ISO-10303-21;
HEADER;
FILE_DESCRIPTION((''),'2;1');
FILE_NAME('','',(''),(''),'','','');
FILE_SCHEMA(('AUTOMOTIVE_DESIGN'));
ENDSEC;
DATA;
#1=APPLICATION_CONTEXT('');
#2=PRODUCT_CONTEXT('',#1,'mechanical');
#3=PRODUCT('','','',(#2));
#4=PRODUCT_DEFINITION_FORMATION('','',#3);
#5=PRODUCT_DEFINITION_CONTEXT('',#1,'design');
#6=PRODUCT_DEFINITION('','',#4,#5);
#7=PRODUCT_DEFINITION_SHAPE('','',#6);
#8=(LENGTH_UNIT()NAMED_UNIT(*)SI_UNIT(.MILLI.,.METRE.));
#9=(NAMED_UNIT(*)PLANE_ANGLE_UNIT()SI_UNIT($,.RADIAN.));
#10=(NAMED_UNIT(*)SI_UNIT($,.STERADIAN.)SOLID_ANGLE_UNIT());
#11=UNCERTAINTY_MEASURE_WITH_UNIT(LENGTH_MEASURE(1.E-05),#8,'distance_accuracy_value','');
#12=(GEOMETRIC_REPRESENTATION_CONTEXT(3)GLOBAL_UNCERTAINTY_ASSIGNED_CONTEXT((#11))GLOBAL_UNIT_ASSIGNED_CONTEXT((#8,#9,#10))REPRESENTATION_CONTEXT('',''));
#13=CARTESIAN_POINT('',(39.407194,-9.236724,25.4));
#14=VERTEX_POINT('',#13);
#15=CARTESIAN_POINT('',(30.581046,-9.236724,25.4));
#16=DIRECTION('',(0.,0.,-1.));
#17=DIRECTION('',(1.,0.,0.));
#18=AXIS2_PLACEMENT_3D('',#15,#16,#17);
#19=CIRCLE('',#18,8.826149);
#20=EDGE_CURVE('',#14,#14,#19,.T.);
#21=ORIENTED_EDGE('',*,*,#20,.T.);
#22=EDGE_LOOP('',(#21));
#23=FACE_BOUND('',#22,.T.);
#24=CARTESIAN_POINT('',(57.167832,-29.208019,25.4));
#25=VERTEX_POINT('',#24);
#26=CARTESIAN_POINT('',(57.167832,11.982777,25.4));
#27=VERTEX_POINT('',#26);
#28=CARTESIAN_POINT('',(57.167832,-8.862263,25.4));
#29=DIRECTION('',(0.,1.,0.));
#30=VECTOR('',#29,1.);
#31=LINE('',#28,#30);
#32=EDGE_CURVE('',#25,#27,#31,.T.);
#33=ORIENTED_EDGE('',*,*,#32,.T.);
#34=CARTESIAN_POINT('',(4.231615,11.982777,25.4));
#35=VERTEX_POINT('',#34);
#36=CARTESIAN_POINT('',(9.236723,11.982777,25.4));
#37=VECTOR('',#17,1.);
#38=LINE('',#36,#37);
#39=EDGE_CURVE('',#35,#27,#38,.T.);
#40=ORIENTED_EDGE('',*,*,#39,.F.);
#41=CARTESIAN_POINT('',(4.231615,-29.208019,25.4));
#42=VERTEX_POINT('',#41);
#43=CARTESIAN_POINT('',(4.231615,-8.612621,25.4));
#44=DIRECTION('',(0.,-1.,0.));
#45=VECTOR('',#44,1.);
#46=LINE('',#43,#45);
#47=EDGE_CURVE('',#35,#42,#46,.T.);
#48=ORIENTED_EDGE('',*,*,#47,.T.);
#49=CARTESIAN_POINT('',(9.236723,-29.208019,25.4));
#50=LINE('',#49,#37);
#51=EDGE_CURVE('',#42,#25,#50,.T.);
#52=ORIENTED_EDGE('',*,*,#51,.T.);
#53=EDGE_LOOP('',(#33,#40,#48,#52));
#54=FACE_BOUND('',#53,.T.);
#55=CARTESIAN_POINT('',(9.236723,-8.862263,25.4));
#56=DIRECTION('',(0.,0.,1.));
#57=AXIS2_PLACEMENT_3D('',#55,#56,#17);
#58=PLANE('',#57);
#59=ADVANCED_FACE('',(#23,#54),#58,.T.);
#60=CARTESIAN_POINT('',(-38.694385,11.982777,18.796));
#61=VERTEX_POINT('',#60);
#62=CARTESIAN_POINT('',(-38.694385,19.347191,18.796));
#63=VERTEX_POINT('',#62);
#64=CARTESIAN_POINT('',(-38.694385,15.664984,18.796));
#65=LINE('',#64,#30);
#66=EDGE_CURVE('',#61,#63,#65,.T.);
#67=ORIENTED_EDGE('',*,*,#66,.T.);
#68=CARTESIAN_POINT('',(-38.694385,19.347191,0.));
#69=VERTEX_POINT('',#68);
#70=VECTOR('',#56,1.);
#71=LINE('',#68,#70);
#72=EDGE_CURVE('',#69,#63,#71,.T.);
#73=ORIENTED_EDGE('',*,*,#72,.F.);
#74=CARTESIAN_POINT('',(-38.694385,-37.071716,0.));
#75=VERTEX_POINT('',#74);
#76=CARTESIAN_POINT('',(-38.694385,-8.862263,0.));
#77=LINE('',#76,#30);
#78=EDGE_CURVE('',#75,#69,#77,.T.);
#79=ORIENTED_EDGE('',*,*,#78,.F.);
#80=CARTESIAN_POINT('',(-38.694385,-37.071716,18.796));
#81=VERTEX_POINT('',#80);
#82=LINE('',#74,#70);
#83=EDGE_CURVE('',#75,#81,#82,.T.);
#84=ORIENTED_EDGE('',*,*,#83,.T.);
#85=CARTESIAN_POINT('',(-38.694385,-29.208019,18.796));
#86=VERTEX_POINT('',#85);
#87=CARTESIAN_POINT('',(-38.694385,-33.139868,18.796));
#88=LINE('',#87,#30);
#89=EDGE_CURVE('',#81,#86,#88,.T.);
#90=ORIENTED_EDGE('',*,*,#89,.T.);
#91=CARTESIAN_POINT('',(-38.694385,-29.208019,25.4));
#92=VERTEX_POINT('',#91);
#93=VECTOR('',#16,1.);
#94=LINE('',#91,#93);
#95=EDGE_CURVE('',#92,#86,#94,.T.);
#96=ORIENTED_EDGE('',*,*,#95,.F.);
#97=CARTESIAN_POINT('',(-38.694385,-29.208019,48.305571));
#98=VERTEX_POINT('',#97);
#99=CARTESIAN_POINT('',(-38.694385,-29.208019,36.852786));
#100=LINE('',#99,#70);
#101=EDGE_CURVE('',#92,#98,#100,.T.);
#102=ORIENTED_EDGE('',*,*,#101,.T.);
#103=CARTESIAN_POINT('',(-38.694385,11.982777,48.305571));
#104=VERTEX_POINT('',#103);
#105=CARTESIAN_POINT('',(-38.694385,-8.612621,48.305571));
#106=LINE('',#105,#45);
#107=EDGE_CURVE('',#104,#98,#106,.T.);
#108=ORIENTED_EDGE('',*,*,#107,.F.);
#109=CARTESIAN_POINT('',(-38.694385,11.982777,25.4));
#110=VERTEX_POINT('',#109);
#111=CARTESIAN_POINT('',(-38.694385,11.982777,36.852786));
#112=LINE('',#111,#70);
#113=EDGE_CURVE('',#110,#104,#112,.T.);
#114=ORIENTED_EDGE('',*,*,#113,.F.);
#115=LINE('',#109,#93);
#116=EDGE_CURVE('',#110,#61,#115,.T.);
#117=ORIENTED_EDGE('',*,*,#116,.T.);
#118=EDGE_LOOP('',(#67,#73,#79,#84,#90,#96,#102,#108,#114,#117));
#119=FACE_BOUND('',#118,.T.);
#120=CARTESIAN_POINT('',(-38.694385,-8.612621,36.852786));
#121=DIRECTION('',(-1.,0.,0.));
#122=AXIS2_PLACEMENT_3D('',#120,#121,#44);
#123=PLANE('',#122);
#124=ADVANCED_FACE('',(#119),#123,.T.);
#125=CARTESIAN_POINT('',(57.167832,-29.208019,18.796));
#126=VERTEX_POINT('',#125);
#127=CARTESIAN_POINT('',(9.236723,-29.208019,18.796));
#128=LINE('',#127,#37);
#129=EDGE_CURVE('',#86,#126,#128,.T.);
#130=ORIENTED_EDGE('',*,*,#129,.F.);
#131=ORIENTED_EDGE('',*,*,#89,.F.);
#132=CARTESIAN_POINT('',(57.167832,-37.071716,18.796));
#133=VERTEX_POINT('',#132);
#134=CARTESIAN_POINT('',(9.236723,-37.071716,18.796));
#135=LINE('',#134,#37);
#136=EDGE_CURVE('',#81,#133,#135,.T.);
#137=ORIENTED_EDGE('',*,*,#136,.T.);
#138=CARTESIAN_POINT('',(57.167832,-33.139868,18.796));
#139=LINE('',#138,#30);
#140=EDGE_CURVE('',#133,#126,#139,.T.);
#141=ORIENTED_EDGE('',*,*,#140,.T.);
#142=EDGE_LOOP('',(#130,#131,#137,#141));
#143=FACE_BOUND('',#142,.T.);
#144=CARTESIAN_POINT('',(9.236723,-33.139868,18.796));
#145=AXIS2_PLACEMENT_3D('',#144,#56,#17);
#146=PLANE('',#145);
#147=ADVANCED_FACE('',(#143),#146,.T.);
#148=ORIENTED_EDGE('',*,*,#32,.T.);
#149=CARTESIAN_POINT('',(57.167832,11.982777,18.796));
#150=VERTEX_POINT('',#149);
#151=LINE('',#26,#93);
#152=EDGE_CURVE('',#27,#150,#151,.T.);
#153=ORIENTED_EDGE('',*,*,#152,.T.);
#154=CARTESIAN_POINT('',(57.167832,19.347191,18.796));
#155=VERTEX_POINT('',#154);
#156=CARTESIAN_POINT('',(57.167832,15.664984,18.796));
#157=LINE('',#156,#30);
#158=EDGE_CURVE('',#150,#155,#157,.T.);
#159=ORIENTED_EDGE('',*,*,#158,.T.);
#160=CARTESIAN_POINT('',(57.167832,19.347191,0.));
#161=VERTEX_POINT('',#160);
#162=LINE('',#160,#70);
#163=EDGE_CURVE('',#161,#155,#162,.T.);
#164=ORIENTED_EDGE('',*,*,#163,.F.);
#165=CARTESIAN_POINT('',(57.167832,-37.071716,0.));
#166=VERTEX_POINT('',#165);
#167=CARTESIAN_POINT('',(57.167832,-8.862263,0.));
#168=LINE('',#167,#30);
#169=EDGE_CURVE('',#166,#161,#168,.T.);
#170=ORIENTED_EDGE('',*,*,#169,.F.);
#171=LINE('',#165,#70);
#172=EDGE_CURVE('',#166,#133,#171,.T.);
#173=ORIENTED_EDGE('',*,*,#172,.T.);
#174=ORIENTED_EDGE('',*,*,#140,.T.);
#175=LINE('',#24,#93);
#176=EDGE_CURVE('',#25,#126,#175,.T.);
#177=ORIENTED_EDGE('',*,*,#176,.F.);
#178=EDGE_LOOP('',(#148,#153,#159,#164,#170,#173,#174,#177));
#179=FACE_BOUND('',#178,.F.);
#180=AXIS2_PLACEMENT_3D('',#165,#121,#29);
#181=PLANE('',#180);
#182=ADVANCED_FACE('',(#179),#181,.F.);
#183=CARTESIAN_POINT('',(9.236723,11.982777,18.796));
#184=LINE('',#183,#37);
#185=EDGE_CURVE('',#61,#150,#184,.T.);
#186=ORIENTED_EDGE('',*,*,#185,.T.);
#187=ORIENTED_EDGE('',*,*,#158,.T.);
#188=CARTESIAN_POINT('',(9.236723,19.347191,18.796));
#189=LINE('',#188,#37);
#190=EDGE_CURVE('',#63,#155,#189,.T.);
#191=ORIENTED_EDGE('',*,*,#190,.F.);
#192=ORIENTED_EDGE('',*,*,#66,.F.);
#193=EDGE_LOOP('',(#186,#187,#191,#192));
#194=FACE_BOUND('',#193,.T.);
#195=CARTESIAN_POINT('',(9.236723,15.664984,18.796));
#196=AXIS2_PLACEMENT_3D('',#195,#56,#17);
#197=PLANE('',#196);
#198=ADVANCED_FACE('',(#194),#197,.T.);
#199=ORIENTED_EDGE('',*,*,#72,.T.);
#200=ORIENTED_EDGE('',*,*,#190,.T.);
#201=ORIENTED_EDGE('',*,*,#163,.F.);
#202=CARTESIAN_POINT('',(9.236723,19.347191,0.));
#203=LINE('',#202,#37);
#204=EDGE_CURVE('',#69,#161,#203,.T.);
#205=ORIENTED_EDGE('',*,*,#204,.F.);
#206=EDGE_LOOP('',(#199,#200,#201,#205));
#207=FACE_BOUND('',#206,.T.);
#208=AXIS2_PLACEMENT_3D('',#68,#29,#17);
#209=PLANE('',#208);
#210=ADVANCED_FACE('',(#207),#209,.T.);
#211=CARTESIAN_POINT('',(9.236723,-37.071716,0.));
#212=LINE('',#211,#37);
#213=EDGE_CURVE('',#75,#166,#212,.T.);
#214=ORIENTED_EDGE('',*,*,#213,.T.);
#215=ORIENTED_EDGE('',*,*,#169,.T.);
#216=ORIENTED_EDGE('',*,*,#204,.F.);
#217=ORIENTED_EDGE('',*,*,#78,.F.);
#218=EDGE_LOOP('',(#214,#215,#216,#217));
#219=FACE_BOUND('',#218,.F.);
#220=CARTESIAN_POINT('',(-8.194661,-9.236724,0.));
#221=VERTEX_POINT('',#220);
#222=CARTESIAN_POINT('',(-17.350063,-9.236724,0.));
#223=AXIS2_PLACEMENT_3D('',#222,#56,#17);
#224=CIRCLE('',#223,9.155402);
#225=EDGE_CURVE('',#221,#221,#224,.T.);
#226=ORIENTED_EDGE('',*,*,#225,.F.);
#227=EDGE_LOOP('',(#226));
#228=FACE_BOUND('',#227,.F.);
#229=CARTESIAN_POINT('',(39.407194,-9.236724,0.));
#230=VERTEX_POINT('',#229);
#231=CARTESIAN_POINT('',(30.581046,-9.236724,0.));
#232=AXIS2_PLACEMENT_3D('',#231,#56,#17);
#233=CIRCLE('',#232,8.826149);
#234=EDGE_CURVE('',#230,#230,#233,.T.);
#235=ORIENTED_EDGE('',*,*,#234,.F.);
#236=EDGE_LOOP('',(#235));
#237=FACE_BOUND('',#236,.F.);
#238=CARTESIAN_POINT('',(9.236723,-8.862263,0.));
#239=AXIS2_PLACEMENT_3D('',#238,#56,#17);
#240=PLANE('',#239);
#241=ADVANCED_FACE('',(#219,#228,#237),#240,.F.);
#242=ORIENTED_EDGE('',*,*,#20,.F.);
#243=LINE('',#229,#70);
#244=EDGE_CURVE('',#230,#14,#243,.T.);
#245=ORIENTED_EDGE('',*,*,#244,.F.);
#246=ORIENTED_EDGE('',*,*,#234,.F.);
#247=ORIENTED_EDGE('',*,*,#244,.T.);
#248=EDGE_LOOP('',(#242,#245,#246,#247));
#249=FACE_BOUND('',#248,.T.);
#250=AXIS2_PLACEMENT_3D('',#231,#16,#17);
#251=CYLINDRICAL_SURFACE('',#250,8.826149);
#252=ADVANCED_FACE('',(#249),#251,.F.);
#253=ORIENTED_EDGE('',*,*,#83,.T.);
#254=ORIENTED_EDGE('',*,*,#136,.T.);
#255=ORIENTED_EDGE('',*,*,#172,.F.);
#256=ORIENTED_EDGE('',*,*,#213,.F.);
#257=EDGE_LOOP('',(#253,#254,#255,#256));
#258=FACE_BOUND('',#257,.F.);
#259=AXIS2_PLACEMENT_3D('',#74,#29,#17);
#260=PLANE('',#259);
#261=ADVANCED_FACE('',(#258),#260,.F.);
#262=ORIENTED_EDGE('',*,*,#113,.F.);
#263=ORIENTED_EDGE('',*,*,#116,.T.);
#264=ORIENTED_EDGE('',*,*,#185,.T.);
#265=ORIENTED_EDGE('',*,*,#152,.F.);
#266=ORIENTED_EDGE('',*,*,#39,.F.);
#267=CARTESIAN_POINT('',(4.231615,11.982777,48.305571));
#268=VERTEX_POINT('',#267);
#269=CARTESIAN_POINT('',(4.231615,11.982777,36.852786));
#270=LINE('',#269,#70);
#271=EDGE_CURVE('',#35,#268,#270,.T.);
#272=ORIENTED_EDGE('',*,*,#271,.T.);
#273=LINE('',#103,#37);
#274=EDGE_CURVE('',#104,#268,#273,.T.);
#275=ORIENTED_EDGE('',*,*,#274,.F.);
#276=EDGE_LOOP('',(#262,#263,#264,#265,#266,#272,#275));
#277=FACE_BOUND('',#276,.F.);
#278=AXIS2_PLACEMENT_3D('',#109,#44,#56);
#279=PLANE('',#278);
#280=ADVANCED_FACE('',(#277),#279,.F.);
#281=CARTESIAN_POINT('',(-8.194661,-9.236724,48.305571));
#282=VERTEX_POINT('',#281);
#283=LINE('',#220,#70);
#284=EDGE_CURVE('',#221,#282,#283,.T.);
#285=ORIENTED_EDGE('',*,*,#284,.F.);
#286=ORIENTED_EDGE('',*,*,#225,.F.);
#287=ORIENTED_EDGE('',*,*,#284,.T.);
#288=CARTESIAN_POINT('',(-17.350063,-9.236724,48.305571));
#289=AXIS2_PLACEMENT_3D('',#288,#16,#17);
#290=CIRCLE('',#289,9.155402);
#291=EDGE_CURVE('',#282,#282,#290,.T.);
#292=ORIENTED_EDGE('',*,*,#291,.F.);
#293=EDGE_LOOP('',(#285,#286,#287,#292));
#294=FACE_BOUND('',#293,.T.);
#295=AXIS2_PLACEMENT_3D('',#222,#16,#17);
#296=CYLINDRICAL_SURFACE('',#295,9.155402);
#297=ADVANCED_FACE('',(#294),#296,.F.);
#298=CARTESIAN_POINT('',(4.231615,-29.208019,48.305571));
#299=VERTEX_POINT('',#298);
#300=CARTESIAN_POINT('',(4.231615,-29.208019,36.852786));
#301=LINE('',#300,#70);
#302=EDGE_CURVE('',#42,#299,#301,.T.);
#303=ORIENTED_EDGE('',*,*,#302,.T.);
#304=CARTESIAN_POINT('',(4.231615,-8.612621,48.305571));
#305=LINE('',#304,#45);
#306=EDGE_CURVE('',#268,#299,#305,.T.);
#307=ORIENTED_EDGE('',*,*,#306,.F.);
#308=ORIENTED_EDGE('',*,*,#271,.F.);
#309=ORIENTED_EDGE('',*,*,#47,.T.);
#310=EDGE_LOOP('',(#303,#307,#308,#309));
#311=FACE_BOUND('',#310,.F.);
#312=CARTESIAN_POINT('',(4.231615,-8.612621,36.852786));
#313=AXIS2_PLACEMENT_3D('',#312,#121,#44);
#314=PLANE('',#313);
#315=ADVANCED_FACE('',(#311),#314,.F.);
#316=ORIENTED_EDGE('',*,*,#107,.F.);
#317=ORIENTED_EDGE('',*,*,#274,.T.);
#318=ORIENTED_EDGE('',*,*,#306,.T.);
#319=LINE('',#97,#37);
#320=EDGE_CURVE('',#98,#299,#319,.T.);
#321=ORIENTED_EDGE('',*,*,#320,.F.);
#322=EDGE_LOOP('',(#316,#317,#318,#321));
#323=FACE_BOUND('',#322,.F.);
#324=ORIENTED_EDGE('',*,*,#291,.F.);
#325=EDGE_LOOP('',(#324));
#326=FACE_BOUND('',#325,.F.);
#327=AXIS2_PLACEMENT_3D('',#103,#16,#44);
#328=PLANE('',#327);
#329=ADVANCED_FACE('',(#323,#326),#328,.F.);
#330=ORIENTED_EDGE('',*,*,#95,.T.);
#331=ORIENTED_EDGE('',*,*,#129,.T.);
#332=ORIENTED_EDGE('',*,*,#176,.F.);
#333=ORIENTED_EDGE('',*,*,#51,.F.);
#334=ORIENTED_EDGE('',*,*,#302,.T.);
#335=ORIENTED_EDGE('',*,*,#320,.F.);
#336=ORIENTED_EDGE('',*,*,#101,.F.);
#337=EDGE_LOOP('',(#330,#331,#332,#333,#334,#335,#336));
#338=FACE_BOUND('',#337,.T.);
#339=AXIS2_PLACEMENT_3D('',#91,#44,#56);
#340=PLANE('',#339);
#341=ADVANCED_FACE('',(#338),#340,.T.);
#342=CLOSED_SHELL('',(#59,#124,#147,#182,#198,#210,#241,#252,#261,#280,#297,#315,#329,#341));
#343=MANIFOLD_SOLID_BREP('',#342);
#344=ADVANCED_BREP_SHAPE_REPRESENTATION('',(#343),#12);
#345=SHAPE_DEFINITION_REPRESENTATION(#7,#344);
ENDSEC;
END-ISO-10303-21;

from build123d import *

# Parameters (mm, degrees)
F0_W     = 95.8622172475
F0_H     = 56.4189068973
F1_DEPTH = 25.4
F2_W     = 95.8622172475
F2_H     = 7.8636966646
F2_H_2   = 7.364413701
F3_DEPTH = 6.604
F4_W     = 41.1907965317
F4_H     = 22.9055710793
F5_DEPTH = 42.926
F6_R     = 9.155401704
F6_R_2   = 8.8261485634
F7_DEPTH = 92.964


with BuildPart() as f1:
    # F0 (on Top) → F1 (new body)
    with BuildSketch(Plane.XY):
        with Locations((9.2367231846, -8.8622625917)):
            Rectangle(F0_W, F0_H)
    extrude(amount=F1_DEPTH)

    # F2 (on face) → F3 (cut)
    with BuildSketch(Plane.XY.offset(25.4)):
        with Locations((9.2367231846, -33.1398677081)):
            Rectangle(F2_W, F2_H)
        with Locations((9.2367231846, 15.6649840064)):
            Rectangle(F2_W, F2_H_2)
    extrude(amount=-F3_DEPTH, mode=Mode.SUBTRACT)

    # F4 (on face) → F5 (join)
    with BuildSketch(Plane(origin=(-38.6943854392, 0, 0), x_dir=(0, -1, 0), z_dir=(-1, 0, 0))):
        with Locations((8.6126211099, 36.8527855396)):
            Rectangle(F4_W, F4_H)
    extrude(amount=-F5_DEPTH)

    # F6 (on Top) → F7 (cut)
    with BuildSketch(Plane.XY):
        with Locations((-17.3500627279, -9.2367241159)):
            Circle(F6_R)
        with Locations((30.5810458958, -9.2367241159)):
            Circle(F6_R_2)
    extrude(amount=F7_DEPTH, mode=Mode.SUBTRACT)


solid = f1.part
